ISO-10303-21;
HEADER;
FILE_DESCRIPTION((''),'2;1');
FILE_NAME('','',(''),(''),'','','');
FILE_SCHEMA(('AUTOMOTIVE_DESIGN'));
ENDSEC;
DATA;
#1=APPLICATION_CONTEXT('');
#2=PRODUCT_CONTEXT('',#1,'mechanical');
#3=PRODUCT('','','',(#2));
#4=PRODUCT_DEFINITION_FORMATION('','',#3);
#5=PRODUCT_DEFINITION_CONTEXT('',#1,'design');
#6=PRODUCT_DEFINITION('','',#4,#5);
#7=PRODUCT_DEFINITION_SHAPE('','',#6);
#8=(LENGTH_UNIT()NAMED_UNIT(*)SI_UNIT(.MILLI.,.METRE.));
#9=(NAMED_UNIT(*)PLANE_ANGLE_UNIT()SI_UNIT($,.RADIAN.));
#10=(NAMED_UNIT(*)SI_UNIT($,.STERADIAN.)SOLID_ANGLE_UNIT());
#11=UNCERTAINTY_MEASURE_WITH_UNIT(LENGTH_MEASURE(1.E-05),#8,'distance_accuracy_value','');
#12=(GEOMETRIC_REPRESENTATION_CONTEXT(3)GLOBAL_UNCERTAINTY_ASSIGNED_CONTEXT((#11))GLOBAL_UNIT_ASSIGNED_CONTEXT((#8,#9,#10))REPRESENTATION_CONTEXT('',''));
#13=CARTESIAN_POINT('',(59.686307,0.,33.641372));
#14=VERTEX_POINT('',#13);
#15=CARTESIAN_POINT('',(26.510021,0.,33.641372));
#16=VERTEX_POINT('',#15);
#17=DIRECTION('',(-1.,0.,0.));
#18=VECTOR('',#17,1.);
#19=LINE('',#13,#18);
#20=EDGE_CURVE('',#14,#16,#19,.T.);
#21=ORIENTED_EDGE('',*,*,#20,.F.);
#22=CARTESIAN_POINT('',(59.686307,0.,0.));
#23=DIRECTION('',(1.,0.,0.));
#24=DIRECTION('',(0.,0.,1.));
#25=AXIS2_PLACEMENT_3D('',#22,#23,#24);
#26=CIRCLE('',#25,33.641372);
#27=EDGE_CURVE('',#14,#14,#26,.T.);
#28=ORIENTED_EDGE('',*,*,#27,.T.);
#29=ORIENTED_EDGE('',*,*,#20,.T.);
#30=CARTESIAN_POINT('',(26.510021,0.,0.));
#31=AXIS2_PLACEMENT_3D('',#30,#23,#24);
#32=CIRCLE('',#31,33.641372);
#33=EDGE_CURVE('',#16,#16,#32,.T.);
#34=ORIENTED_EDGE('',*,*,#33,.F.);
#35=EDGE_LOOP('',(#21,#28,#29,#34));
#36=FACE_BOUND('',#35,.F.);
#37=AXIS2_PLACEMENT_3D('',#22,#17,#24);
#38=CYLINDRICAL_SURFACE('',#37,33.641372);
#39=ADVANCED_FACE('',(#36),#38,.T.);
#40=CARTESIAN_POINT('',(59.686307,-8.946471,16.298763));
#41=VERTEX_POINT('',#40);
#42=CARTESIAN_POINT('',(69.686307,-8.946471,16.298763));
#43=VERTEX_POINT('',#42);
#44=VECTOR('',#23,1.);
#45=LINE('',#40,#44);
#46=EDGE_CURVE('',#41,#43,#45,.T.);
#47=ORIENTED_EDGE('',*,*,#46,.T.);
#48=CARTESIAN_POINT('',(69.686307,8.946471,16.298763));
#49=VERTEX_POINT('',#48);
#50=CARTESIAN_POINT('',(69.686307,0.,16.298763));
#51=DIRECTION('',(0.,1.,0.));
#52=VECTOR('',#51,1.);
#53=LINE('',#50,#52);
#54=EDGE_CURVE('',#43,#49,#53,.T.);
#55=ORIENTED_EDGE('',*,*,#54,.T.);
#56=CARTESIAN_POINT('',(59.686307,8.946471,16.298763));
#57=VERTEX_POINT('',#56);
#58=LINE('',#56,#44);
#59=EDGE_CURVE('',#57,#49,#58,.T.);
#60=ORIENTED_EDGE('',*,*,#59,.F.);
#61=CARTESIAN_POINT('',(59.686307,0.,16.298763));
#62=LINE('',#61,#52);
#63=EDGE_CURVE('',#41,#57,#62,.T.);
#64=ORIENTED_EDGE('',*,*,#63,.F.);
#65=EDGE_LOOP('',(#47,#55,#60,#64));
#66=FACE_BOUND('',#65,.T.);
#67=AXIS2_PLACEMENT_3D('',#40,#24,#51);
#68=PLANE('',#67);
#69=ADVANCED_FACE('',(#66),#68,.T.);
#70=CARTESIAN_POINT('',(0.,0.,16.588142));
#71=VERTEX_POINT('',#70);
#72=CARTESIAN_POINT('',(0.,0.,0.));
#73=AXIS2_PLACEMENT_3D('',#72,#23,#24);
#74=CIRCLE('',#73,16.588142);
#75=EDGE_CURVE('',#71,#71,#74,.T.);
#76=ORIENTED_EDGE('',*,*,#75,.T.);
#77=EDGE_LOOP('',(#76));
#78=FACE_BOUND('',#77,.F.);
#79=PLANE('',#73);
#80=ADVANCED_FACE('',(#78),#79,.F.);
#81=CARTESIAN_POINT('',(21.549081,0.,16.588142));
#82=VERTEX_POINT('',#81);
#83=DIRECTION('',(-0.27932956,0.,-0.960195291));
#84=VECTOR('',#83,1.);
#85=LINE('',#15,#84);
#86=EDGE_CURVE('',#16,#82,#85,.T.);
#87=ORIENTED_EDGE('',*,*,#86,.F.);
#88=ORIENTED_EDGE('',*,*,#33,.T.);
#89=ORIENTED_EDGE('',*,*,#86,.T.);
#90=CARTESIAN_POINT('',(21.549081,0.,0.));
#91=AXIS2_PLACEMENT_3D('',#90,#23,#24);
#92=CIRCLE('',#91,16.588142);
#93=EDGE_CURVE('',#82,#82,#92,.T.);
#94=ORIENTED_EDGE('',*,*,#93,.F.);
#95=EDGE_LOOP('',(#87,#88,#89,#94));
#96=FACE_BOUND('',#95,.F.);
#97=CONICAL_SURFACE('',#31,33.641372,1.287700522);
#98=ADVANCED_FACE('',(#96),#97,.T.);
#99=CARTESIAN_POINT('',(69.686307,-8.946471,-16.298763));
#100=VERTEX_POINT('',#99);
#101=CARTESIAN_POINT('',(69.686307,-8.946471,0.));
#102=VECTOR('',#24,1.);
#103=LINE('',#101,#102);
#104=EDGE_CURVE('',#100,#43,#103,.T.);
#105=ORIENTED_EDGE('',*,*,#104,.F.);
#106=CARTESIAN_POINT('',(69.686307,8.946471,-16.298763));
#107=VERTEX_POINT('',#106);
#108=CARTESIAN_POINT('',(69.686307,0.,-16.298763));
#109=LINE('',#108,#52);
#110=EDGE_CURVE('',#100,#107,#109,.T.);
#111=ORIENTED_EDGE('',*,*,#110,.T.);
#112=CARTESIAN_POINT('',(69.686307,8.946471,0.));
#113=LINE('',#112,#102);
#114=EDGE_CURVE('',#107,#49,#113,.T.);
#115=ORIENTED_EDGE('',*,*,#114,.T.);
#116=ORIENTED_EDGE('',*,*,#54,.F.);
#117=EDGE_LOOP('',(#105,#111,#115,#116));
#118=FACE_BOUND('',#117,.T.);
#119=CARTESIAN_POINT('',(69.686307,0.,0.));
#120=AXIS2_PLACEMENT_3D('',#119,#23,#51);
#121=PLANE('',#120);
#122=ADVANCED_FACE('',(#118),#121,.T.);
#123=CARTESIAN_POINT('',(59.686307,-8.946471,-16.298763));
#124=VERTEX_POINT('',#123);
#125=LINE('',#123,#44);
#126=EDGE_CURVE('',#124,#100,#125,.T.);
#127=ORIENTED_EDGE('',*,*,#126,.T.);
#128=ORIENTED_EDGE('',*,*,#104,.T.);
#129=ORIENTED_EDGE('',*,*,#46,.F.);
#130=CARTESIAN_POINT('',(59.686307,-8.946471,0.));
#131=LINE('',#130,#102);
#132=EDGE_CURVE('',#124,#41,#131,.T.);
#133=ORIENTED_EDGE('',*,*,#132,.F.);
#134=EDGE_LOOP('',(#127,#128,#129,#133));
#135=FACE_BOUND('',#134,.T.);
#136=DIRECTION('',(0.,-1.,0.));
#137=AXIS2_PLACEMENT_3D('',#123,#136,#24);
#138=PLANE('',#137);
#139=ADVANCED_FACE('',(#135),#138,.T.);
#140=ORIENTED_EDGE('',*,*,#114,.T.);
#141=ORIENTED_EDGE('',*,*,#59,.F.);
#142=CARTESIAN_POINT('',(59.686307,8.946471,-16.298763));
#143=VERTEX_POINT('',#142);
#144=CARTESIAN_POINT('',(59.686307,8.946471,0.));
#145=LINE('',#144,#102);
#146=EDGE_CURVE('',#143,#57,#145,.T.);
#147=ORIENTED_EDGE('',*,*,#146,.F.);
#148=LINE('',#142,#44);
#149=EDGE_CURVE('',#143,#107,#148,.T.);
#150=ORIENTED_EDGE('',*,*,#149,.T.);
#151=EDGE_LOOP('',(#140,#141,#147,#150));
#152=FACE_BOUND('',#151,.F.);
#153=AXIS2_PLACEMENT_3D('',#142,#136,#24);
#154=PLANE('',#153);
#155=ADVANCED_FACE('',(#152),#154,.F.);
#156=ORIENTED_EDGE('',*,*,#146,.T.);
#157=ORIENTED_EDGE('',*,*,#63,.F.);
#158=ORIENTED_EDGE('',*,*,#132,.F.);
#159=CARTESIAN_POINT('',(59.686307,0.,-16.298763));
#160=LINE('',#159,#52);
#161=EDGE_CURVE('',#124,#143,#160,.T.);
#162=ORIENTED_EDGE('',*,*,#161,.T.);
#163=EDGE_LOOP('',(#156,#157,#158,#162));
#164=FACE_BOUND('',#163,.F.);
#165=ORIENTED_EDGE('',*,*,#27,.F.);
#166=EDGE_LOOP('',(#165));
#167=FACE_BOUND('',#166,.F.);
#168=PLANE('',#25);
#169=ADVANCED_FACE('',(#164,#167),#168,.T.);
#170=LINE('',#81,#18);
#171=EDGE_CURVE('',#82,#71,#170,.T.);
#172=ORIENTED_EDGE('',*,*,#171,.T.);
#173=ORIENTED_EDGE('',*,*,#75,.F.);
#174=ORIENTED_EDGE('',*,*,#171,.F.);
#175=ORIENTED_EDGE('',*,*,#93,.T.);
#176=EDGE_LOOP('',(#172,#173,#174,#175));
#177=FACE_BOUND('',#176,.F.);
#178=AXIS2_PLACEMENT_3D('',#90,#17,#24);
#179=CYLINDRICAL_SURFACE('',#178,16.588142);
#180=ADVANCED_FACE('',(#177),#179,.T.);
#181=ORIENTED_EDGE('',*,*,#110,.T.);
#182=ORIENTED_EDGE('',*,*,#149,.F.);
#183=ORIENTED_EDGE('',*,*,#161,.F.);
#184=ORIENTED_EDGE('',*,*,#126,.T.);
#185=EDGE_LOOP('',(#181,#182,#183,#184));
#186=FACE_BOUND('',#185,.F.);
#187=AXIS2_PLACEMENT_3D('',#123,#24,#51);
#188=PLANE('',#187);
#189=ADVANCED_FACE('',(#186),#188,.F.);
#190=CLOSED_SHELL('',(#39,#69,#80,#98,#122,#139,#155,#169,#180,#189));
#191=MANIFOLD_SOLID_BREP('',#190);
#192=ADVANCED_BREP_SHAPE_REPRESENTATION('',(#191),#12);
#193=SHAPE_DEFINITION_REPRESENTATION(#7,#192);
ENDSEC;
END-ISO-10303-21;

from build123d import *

# Parameters (mm, degrees)
F2_W     = 17.892942
F2_H     = 32.597526
F3_DEPTH = 10


with BuildPart() as f1:
    # F0 (on Front) → F1 (revolve)
    with BuildSketch(Plane.XZ):
        Polygon((0, 16.588142), (0, 0), (59.686307, 0), (59.686307, 33.641372), (26.510021, 33.641372), (21.549081, 16.588142), align=None)
    revolve(axis=Axis((29.843153, 0, 0), (1, 0, 0)))

    # F2 (on face) → F3 (join)
    with BuildSketch(Plane.YZ.offset(59.686307)):
        Rectangle(F2_W, F2_H)
    extrude(amount=F3_DEPTH)


solid = f1.part
